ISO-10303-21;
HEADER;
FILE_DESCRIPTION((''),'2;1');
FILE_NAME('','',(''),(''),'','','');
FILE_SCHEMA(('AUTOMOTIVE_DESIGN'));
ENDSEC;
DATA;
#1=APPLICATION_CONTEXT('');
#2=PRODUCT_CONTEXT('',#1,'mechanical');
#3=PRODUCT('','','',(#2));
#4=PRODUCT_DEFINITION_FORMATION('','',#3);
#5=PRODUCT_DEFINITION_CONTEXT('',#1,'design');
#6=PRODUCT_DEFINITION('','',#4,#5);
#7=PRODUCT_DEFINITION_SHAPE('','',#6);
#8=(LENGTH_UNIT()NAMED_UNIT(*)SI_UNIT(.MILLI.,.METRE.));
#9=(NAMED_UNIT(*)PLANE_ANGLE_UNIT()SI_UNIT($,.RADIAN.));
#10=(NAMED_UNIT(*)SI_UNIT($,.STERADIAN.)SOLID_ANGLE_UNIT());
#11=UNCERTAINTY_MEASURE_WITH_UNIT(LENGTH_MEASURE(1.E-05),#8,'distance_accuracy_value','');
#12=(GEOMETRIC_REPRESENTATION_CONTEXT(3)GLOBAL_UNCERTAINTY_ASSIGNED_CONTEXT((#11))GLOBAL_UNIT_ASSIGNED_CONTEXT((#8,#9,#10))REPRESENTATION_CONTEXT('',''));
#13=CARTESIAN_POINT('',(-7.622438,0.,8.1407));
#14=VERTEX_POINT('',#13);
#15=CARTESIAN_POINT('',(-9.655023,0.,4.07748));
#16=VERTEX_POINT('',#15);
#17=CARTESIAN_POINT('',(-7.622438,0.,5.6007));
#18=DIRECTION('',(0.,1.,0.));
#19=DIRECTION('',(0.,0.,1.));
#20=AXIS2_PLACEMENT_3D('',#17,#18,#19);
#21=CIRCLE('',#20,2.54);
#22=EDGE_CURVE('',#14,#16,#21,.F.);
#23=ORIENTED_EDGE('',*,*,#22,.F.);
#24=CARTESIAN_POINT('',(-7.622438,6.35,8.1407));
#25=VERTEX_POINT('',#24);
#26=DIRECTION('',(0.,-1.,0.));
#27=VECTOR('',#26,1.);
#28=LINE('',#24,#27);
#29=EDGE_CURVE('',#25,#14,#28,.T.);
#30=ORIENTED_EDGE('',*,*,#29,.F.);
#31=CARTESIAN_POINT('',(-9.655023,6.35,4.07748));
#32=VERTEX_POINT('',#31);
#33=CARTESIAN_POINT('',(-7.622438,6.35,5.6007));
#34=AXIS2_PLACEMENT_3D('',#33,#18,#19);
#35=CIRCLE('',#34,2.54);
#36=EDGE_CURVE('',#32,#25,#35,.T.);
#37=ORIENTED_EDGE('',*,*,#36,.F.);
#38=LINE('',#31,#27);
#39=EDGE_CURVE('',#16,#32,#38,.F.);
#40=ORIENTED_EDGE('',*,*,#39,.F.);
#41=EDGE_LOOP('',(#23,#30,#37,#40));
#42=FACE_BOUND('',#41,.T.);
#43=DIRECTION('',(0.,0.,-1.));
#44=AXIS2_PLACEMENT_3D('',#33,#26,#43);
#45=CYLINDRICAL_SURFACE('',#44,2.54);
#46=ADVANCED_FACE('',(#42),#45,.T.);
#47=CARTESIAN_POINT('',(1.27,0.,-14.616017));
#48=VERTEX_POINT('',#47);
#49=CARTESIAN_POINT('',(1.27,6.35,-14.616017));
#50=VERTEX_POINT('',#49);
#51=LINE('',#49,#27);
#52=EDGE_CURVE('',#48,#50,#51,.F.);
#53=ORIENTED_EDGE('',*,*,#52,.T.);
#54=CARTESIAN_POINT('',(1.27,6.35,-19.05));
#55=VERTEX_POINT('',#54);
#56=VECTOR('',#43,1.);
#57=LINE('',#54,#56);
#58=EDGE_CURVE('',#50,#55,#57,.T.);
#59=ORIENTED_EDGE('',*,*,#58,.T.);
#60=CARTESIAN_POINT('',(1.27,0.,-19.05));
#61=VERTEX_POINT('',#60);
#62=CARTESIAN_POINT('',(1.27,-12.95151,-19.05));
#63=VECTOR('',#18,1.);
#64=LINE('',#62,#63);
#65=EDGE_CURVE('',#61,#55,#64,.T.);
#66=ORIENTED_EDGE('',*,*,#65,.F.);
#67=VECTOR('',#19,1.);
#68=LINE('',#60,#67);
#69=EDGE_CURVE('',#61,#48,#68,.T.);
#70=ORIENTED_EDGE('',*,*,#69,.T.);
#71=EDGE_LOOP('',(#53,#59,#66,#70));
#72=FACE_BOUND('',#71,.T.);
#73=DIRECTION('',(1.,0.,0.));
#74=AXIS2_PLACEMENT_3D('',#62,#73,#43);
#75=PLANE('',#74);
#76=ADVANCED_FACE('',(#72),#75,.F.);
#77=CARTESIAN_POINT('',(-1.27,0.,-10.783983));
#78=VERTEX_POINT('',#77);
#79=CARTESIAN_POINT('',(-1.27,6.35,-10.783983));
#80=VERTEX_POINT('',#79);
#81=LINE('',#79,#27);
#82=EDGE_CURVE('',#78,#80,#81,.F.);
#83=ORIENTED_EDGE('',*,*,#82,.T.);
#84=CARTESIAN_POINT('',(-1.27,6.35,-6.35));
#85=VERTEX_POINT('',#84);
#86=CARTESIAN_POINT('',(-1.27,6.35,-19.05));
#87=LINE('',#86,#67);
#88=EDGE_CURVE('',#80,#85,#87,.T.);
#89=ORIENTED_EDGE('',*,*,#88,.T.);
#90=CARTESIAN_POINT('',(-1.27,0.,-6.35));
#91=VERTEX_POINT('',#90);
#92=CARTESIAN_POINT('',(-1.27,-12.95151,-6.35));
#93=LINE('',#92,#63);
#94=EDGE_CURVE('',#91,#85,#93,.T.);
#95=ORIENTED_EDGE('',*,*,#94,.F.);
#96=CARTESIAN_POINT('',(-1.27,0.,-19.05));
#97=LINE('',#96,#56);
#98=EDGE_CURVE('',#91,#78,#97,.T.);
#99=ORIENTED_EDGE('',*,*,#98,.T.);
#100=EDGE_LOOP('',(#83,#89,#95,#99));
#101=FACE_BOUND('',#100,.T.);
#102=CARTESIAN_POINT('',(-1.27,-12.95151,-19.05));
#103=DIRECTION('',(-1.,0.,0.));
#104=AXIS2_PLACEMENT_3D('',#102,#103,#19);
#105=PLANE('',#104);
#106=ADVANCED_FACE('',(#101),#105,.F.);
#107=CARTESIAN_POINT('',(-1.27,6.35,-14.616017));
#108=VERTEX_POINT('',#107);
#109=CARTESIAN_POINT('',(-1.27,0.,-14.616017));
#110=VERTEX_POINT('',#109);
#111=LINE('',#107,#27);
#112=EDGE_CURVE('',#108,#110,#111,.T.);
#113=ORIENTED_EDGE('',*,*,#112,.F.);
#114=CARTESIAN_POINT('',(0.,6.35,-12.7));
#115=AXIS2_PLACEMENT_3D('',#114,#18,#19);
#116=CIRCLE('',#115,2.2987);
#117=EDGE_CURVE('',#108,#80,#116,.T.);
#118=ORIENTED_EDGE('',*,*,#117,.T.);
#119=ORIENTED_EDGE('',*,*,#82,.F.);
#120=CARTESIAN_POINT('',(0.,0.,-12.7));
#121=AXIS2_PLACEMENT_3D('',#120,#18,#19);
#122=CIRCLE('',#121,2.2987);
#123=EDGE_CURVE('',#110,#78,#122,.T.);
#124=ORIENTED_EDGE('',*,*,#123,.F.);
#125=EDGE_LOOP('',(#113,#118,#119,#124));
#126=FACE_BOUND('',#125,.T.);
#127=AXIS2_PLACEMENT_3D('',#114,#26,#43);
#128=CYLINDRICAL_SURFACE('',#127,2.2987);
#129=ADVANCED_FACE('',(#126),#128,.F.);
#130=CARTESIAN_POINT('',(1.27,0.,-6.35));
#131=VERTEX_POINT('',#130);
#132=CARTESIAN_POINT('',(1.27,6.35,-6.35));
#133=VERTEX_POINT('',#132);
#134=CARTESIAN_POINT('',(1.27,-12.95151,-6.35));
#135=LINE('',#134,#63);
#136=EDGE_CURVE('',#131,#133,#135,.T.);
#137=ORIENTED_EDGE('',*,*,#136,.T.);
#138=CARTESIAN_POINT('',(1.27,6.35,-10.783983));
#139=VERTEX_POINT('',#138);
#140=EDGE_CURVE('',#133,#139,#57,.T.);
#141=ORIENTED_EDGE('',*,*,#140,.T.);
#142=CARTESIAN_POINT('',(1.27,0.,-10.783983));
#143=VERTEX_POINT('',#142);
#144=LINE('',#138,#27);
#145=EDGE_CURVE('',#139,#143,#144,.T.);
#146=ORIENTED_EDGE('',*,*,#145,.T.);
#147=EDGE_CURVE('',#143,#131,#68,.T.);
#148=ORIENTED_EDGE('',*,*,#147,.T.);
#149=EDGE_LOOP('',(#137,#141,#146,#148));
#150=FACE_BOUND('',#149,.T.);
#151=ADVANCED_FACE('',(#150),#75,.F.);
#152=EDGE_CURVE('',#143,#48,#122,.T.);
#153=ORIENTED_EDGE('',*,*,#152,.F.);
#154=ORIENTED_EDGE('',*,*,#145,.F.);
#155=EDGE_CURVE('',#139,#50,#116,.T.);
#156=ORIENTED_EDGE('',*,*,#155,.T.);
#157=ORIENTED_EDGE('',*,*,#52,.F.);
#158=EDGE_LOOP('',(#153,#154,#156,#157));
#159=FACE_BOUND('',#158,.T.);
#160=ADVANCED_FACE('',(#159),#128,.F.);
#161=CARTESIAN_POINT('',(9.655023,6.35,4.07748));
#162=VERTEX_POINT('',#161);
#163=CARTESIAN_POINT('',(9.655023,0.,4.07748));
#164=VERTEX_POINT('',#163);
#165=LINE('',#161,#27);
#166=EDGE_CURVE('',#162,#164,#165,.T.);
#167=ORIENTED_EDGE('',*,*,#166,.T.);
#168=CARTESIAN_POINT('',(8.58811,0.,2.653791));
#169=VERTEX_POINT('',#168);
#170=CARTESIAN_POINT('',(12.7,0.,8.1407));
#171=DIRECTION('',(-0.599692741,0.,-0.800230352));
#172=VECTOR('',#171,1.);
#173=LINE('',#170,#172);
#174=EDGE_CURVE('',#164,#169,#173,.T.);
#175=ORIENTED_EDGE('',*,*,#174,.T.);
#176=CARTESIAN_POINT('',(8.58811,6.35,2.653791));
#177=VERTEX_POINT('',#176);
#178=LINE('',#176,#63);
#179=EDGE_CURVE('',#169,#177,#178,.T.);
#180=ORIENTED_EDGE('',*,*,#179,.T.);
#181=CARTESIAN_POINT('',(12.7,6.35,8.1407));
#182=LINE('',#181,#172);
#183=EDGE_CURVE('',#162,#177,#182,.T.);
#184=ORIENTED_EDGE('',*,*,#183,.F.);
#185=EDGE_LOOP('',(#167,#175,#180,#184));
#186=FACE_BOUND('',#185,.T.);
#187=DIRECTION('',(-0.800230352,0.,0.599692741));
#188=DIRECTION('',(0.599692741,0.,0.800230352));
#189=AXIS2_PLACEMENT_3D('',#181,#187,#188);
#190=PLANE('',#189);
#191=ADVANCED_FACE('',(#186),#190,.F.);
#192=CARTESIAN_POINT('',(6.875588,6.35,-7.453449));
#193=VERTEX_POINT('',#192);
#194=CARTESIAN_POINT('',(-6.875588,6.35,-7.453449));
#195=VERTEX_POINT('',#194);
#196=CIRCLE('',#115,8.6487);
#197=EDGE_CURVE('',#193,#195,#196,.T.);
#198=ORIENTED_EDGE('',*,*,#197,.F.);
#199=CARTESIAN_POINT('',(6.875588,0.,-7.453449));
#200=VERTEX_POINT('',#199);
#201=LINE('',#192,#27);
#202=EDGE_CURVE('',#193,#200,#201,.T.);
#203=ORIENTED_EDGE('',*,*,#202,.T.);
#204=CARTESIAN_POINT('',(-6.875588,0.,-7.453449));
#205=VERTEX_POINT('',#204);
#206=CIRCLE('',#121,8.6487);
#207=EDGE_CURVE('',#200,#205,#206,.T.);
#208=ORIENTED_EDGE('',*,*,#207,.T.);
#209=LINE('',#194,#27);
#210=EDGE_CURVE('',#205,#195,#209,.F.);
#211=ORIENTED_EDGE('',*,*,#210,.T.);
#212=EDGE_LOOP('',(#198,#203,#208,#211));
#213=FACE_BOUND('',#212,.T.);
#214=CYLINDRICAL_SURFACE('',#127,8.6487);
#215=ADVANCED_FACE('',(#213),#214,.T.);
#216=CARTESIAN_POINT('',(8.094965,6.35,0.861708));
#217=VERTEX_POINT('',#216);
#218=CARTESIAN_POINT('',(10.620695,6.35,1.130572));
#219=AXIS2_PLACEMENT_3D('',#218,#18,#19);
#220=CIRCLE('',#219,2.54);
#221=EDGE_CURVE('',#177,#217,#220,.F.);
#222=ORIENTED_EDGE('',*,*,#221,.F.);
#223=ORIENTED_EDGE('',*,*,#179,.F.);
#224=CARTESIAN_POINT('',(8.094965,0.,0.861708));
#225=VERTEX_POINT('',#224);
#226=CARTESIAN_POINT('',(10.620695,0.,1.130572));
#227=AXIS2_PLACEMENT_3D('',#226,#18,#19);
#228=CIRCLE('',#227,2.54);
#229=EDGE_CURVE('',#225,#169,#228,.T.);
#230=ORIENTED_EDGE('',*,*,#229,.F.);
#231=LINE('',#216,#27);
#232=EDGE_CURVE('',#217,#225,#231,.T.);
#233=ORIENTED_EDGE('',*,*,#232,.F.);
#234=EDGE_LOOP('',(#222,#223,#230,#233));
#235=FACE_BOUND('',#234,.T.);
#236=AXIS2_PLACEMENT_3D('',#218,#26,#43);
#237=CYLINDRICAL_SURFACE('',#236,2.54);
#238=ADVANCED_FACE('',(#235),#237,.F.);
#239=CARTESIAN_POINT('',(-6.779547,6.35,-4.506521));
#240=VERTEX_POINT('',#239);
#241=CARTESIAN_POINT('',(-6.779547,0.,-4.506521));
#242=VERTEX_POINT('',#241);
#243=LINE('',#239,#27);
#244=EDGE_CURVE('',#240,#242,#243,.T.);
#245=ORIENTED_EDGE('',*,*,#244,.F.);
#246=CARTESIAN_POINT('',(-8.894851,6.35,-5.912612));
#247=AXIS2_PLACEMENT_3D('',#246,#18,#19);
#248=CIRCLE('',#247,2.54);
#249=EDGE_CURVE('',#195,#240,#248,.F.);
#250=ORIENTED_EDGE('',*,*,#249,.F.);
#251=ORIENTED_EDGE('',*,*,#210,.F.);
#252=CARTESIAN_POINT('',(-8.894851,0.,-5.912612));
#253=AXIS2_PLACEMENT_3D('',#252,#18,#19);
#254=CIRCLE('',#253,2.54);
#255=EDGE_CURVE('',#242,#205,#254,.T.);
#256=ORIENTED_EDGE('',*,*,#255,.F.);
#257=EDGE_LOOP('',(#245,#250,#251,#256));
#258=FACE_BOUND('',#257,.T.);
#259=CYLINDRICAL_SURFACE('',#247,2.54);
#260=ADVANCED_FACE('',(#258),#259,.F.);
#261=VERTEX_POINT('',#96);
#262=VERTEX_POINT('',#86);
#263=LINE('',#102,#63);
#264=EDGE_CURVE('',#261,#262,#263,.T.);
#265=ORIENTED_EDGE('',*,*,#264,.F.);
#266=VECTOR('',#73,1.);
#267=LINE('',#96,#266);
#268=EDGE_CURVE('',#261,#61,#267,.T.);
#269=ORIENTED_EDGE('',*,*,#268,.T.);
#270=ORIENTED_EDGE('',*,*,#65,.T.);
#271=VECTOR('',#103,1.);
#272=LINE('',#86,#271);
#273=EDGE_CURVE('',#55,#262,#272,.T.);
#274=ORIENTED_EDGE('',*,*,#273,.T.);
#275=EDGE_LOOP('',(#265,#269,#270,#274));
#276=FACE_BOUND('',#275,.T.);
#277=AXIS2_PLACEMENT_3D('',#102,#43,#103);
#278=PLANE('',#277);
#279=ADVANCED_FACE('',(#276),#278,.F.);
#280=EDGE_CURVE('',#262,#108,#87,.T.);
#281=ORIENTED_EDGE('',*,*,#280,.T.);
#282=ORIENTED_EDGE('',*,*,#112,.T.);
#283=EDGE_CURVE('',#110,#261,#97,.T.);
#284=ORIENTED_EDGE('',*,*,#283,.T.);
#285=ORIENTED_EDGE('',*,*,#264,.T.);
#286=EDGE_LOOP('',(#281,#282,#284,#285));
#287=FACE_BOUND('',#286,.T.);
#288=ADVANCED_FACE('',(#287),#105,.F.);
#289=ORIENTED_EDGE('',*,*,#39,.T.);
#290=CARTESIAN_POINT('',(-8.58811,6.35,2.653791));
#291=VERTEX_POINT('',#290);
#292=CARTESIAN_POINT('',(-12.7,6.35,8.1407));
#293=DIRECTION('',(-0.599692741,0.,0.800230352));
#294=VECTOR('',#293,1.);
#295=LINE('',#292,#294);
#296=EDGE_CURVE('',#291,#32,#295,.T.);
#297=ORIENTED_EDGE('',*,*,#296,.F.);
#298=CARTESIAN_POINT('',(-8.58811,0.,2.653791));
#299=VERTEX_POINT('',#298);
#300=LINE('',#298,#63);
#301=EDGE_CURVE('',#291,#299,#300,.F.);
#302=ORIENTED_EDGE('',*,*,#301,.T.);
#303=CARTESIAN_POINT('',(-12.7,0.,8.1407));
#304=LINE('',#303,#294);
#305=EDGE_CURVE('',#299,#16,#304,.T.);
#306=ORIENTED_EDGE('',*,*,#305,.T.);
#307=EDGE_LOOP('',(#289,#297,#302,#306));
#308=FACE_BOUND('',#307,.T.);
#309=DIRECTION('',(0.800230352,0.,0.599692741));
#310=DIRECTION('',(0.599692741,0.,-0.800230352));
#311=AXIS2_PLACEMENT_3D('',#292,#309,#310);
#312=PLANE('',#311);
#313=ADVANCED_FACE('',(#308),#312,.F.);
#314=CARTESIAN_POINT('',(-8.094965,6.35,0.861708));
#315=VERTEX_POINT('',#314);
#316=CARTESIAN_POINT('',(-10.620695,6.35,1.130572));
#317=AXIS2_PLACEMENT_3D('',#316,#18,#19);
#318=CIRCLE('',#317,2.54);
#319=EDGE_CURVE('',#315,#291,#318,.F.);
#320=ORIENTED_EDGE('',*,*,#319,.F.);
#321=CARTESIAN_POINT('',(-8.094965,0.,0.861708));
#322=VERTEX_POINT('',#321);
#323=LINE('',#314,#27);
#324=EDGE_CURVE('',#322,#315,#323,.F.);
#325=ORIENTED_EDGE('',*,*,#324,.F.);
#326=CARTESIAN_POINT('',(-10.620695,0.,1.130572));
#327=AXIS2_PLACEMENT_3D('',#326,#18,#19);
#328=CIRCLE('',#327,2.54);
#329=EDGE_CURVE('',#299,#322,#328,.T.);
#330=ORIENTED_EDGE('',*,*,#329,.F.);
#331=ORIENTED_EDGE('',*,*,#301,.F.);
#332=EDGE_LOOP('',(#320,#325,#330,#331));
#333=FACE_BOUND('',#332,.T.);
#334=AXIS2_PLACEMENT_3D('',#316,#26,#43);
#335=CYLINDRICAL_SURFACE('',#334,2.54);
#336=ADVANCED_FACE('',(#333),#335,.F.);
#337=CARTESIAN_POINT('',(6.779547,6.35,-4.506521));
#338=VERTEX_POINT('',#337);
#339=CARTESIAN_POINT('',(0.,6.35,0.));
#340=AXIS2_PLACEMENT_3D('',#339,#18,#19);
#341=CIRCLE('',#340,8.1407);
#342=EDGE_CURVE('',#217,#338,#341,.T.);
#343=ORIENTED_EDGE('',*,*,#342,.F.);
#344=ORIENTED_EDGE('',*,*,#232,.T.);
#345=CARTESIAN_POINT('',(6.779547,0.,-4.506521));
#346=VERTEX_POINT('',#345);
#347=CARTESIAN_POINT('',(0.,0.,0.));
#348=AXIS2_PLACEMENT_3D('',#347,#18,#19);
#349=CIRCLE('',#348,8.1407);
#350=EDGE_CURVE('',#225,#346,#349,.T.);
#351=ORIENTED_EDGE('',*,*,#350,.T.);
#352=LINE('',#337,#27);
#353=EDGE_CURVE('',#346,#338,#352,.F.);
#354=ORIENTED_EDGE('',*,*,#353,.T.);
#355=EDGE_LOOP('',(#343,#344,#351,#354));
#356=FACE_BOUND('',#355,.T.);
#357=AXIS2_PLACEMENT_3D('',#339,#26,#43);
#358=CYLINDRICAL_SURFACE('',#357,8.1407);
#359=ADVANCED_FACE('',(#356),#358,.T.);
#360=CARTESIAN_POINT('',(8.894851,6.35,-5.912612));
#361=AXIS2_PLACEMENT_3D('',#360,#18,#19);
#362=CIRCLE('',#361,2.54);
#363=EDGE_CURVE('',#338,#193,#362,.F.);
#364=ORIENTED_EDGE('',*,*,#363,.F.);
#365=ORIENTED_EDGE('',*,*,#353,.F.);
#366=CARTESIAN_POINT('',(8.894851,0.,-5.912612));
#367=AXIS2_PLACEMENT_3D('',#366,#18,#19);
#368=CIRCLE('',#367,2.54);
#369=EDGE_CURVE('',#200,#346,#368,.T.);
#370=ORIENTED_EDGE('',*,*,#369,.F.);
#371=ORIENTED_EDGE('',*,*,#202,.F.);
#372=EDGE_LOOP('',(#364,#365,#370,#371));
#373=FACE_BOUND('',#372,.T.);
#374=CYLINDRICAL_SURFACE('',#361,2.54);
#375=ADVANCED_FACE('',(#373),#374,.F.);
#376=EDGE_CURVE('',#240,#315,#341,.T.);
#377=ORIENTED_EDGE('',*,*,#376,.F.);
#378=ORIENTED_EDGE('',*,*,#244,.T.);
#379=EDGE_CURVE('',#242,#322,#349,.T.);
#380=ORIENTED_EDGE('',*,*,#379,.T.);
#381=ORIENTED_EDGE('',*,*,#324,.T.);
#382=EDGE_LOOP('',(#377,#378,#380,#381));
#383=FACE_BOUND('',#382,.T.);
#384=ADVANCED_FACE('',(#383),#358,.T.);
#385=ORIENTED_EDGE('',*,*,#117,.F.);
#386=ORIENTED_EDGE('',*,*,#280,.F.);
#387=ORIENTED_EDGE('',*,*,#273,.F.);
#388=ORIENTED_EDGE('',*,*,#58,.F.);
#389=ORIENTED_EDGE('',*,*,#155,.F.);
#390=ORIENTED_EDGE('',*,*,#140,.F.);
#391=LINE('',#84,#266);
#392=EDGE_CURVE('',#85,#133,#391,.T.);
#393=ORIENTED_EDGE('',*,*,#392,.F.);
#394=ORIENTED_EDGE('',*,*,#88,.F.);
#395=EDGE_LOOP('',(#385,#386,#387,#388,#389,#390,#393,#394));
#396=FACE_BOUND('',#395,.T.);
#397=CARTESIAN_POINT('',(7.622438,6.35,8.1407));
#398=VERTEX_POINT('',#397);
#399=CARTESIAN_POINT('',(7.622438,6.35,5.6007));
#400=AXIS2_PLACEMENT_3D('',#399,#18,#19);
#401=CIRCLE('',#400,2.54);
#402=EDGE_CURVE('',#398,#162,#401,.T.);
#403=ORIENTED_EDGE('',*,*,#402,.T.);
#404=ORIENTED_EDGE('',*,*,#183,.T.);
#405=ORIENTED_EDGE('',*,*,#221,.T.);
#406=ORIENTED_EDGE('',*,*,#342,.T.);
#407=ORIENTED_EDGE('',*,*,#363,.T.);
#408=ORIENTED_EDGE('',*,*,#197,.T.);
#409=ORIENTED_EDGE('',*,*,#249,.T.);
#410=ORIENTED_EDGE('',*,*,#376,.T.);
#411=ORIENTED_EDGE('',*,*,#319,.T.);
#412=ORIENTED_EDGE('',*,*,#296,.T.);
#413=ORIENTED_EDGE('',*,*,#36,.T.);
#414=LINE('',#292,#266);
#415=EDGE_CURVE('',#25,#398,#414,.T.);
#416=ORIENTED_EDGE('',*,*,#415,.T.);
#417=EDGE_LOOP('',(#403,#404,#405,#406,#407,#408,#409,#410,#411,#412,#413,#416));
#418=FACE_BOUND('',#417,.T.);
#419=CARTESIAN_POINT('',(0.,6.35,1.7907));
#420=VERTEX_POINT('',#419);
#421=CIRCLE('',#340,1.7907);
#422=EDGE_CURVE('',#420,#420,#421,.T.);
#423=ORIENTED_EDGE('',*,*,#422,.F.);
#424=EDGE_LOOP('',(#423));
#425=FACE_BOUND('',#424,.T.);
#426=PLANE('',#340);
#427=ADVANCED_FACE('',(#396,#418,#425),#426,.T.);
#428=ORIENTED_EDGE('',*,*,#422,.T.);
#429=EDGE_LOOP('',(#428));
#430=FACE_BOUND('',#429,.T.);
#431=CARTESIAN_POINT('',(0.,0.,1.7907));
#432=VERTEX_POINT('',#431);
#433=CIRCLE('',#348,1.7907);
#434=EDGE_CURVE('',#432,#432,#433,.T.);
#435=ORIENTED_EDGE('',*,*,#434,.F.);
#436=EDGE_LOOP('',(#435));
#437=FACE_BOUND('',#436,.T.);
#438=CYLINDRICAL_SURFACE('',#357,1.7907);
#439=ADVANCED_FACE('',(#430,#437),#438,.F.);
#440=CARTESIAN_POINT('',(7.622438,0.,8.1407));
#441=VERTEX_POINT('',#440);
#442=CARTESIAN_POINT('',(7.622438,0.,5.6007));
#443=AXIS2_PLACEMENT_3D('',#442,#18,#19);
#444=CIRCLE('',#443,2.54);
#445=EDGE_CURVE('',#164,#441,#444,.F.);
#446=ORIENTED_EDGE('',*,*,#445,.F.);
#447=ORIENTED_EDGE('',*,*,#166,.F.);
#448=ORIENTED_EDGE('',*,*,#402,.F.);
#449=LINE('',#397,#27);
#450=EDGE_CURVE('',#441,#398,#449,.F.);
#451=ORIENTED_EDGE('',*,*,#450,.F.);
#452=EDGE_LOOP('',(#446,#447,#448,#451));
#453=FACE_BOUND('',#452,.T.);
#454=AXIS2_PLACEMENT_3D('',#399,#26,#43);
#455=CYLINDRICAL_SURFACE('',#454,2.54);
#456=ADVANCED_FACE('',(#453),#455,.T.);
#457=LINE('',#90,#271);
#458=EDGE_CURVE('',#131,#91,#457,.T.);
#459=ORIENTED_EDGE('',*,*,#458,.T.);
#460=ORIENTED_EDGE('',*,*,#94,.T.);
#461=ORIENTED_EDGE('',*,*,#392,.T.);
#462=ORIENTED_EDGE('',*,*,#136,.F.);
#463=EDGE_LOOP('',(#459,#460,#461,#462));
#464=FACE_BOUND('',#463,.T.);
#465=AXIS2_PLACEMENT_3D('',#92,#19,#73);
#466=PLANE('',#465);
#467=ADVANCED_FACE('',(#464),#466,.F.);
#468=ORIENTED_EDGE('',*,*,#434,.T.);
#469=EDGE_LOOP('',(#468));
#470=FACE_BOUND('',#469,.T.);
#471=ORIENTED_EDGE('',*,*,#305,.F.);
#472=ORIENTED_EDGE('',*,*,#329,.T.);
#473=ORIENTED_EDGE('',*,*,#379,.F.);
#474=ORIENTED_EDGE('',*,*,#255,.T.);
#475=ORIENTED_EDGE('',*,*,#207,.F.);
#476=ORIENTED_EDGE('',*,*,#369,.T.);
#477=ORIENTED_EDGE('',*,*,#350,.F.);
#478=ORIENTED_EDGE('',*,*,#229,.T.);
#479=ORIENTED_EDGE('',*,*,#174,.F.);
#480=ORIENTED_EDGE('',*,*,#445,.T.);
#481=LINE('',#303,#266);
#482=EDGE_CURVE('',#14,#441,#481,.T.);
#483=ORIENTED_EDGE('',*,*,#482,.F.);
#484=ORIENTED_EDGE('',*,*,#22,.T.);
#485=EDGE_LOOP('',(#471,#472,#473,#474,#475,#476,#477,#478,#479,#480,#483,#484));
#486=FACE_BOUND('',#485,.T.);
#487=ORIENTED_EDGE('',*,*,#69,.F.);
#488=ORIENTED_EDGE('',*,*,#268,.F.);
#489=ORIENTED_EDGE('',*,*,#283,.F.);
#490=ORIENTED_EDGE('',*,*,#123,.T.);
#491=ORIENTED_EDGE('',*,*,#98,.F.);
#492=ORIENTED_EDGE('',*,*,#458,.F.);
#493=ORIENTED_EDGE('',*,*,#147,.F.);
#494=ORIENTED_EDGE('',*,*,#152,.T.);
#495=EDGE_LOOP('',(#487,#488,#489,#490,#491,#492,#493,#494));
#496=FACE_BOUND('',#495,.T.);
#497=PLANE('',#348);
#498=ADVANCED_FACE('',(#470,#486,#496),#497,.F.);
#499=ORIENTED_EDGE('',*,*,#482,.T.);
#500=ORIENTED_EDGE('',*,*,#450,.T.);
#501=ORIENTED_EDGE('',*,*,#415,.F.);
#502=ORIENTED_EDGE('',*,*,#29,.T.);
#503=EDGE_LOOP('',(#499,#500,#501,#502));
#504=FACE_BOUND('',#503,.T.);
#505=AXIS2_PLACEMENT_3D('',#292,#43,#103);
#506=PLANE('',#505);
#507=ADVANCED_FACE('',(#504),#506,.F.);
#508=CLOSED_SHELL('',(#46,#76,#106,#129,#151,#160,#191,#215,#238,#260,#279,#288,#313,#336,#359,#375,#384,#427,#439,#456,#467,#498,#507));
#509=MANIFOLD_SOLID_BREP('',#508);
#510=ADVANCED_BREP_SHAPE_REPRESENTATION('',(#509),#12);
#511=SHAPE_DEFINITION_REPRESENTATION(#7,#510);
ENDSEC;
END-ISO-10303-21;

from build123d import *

# Parameters (mm, degrees)
SKETCH1_R           = 1.7907
SKETCH1_R_2         = 2.2987
BOSS_EXTRUDE1_DEPTH = 6.35
FILLET1_R           = 2.54
SKETCH2_W           = 2.54
SKETCH2_H           = 12.7
CUT_EXTRUDE1_DEPTH  = 6.35


with BuildPart() as part:
    # Sketch1 → Boss-Extrude1 (new body)
    with BuildSketch(Plane(origin=(0, 0, 0), x_dir=(1, 0, 0), z_dir=(0, 1, 0))):
        with BuildLine():
            Line((-12.7, -8.1407), (12.7, -8.1407))
            Line((12.7, -8.1407), (7.941309086, -1.7907))
            ThreePointArc((7.941309086, -1.7907), (7.76561659, 2.442579676), (5.48636952, 6.014212))
            ThreePointArc((5.48636952, 6.014212), (0, 21.3487), (-5.48636952, 6.014212))
            ThreePointArc((-5.48636952, 6.014212), (-7.76561659, 2.442579676), (-7.941309086, -1.7907))
            Line((-7.941309086, -1.7907), (-12.7, -8.1407))
        make_face()
        Circle(SKETCH1_R, mode=Mode.SUBTRACT)
        with Locations((0, 12.7)):
            Circle(SKETCH1_R_2, mode=Mode.SUBTRACT)
    extrude(amount=BOSS_EXTRUDE1_DEPTH)

    # Fillet1
    fillet1_edges = [part.edges().sort_by_distance(p)[0] for p in [
        (-7.941309086, 3.175, 1.7907),
        (-5.48636952, 3.175, -6.014212),
        (5.48636952, 3.175, -6.014212),
        (7.941309086, 3.175, 1.7907),
        (12.7, 3.175, 8.1407),
        (-12.7, 3.175, 8.1407),
    ]]
    fillet(fillet1_edges, radius=FILLET1_R)

    # Sketch2 → Cut-Extrude1 (cut)
    with BuildSketch(Plane(origin=(0, 6.35, 0), x_dir=(1, 0, 0), z_dir=(0, 1, 0))):
        with Locations((0, 12.7)):
            Rectangle(SKETCH2_W, SKETCH2_H)
    extrude(amount=-CUT_EXTRUDE1_DEPTH, mode=Mode.SUBTRACT)


solid = part.part
